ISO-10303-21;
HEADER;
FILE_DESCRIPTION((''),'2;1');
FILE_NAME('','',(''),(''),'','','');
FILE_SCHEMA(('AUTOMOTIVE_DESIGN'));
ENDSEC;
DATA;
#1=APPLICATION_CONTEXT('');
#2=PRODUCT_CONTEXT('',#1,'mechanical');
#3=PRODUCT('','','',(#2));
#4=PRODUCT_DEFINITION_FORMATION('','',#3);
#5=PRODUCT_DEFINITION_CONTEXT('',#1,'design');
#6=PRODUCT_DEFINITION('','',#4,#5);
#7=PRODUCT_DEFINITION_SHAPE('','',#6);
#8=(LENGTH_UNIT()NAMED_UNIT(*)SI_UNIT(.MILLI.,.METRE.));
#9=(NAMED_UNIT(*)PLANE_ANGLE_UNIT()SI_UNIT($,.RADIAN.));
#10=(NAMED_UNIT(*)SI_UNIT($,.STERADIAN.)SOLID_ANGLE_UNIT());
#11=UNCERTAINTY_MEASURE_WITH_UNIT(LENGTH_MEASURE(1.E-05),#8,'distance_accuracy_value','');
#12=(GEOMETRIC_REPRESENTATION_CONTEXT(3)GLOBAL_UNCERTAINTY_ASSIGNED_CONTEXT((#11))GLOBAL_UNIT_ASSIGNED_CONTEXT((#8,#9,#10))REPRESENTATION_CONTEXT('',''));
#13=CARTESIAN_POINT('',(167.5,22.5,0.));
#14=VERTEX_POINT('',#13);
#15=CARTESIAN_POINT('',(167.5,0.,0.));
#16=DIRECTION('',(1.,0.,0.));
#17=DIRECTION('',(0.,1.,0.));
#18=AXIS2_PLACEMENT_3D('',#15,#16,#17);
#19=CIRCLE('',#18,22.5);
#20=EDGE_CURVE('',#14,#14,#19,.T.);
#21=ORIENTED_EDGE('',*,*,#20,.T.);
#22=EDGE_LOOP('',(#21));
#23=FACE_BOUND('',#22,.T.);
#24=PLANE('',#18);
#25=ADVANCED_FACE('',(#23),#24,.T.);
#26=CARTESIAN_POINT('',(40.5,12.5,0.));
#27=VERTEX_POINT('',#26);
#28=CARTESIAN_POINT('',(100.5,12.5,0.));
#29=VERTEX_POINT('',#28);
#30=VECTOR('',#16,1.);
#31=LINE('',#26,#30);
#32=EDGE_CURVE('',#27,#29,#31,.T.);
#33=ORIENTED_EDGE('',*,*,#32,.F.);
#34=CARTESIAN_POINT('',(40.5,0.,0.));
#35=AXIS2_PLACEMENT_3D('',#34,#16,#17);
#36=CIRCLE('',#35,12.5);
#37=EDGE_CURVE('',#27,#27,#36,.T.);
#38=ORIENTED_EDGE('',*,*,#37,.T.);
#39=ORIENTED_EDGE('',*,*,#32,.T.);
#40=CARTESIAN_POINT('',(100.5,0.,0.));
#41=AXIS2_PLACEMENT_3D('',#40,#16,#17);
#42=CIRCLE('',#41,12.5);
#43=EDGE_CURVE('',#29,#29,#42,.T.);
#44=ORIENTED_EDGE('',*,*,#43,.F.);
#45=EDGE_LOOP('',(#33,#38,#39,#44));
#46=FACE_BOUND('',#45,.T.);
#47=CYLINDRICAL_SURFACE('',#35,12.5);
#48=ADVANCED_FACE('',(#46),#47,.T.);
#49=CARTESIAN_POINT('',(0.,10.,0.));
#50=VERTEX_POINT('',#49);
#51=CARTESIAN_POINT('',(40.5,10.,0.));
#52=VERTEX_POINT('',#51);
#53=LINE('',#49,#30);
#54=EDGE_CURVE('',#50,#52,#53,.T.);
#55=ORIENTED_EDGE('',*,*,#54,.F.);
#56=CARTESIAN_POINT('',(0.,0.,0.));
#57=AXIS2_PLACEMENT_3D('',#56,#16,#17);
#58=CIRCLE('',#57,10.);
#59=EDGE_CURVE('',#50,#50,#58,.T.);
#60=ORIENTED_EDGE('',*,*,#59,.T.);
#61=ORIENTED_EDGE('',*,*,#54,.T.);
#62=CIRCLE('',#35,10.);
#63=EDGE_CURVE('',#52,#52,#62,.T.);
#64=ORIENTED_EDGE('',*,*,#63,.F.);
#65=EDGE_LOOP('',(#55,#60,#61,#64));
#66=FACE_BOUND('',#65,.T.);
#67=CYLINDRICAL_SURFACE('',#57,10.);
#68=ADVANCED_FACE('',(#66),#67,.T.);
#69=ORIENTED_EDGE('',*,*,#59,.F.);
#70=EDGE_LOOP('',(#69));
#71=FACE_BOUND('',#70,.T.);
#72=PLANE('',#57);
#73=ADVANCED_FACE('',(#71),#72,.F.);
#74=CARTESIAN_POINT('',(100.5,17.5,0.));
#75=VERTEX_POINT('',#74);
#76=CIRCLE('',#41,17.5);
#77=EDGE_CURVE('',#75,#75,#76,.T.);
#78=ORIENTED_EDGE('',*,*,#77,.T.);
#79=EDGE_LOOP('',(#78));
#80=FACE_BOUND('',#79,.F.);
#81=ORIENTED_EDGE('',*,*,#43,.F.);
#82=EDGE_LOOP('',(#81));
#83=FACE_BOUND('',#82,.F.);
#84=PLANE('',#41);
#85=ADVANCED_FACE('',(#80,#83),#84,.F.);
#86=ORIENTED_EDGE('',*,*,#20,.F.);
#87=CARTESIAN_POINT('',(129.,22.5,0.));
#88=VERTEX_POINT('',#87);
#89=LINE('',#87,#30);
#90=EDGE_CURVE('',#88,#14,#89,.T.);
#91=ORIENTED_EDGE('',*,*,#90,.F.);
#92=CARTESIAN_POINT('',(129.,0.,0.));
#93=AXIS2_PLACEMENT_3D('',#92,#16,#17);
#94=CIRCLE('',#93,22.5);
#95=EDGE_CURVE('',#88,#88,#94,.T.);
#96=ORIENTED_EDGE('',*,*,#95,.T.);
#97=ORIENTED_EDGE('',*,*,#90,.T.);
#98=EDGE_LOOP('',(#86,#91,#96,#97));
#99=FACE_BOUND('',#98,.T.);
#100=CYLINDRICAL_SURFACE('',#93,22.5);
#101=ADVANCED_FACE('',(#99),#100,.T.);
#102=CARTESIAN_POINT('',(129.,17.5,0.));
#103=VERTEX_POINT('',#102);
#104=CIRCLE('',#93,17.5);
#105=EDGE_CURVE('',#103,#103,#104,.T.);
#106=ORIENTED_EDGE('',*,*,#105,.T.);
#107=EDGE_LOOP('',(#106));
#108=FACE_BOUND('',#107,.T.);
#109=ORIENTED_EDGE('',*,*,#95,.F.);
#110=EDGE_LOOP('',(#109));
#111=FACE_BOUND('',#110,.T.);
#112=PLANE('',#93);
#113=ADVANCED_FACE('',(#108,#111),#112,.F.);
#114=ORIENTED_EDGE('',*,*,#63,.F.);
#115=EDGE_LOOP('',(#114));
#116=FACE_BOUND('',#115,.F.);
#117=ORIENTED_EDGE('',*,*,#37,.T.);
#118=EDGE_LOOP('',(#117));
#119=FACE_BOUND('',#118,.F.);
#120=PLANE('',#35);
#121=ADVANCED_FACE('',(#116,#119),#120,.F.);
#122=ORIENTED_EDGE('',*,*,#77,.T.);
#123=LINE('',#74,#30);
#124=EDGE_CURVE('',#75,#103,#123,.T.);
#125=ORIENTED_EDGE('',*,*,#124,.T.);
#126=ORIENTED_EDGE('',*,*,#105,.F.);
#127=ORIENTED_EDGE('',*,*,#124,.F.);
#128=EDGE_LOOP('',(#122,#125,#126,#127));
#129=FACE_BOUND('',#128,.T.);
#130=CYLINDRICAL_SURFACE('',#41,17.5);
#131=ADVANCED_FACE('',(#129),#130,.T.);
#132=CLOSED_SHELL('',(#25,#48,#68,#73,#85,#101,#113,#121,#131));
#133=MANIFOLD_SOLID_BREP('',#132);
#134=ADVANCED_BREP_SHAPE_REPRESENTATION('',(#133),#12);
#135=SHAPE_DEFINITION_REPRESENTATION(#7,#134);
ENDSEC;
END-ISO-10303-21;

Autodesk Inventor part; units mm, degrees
ref_plane "YZ Plane" through (0, 0, 0) normal (1, 0, 0) x (0, 1, 0)
ref_plane "XZ Plane" through (0, 0, 0) normal (0, 1, 0) x (-1, 0, 0)
ref_plane "XY Plane" through (0, 0, 0) normal (0, 0, 1) x (1, 0, 0)
sketch "Sketch1" plane through (0, 0, 0) normal (0, 0, 1) x (1, 0, 0)
  line L0 (0, 0) -> (0, 10)
  line L1 (0, 10) -> (40.5, 10)
  line L2 (40.5, 12.5) -> (40.5, 10)
  line L3 (40.5, 12.5) -> (100.5, 12.5)
  line L4 (100.5, 17.5) -> (129, 17.5)
  line L5 (100.5, 17.5) -> (100.5, 12.5)
  line L6 (129, 17.5) -> (129, 22.5)
  line L7 (129, 22.5) -> (167.5, 22.5)
  line L8 (167.5, 22.5) -> (167.5, 0)
  line L9 (0, 0) -> (167.5, 0)
  dimension "d0" = 10
  dimension "d1" = 40.5
  dimension "d8" = 60
  dimension "d12" = 28.5
  dimension "d13" = 5
  dimension "d14" = 129
  dimension "d15" = 38.5
revolve "Revolution1" add sketch "Sketch1" angle 360 about axis through (0, 0, 0) along (1, 0, 0)
properties part number "eixo com engenagem"
